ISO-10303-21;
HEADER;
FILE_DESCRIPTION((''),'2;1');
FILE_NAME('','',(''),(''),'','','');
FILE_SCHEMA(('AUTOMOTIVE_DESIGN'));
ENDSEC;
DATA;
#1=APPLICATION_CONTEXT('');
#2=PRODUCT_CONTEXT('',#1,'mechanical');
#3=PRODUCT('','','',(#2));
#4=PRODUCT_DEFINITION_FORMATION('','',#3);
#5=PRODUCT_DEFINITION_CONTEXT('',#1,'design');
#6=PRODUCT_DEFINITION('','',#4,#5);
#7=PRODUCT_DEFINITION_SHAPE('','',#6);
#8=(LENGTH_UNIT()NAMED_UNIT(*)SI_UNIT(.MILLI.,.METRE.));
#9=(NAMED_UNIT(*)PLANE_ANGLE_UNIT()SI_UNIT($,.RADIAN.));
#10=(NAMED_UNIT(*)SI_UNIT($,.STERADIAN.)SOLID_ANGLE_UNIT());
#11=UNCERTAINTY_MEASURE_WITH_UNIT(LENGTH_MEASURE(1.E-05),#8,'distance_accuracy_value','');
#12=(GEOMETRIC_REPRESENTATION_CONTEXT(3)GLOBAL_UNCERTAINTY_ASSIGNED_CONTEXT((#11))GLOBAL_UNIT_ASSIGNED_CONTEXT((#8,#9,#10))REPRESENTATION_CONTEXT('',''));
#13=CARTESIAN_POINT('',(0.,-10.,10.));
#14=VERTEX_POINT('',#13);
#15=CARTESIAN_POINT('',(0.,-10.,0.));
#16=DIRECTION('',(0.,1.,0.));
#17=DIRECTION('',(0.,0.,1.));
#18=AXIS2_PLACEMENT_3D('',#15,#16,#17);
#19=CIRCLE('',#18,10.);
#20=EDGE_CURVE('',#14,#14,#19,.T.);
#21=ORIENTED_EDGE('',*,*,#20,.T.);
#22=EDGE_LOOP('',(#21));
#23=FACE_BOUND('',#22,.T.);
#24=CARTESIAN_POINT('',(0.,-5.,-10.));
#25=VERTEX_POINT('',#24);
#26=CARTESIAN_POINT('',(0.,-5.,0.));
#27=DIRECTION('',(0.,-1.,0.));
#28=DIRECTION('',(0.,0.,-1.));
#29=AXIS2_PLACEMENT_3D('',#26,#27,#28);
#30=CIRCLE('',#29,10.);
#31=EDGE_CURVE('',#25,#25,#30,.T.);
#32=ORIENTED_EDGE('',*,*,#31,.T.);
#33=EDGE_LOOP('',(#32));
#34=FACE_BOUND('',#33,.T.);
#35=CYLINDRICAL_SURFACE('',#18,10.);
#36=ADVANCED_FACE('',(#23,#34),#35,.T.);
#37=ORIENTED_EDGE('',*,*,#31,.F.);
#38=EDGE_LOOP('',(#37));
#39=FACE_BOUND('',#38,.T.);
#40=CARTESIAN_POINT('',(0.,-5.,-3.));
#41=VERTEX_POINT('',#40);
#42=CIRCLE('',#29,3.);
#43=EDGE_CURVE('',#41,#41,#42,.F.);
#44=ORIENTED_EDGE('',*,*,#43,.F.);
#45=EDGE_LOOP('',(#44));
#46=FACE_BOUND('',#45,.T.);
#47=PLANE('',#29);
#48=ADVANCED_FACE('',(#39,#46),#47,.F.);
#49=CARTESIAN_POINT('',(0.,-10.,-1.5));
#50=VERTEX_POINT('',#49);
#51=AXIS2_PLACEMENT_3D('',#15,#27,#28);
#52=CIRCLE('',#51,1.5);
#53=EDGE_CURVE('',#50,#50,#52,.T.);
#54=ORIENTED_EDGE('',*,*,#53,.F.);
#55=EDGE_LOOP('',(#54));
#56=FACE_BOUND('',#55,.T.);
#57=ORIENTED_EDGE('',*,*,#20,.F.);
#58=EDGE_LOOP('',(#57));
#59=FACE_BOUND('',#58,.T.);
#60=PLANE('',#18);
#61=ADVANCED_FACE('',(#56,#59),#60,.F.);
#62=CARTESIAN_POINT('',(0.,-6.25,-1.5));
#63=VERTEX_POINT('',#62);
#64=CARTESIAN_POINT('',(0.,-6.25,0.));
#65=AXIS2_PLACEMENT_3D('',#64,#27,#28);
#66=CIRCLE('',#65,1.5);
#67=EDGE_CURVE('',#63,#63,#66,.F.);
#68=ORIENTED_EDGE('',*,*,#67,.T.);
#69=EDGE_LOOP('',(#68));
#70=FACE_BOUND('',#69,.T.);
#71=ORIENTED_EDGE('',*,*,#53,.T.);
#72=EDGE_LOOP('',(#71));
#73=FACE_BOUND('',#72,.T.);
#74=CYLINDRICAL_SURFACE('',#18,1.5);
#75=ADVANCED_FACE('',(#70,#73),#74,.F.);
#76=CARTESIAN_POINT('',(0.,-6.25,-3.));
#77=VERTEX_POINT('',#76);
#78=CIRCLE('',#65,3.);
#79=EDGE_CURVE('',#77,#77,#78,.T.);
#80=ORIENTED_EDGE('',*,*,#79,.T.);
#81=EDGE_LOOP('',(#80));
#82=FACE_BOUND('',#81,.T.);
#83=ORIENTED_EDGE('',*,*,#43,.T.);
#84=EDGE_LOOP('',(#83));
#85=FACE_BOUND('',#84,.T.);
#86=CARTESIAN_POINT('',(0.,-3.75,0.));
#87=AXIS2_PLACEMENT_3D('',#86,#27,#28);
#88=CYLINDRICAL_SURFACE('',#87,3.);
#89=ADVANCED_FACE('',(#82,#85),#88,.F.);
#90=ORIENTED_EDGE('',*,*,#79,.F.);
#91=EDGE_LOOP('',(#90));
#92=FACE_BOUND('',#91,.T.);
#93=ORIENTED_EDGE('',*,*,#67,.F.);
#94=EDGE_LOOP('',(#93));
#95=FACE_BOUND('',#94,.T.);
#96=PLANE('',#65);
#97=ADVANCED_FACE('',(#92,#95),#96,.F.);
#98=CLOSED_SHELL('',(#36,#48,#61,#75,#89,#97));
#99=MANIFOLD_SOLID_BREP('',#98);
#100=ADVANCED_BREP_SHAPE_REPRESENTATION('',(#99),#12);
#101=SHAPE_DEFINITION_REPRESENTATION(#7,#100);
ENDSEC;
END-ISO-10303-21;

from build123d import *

# Parameters (mm, degrees)
BOSS_EXTRUDE1_DEPTH      = 3
BOSS_EXTRUDE1_DEPTH_BACK = 10
SKETCH1_R                = 10
SKETCH4_R                = 1.5
HOLE_DEPTH               = 20.973741561
HOLECIR_COUNT            = 5
SKETCH6_R                = 3
BEARINGHOLE_DEPTH        = 1.25
SKETCH7_R                = 1.5
SHAFTHOLE_DEPTH          = 17.248076982
SKETCH13_R               = 10
BOTTEN_HALF_DEPTH        = 10


with BuildPart() as part:
    # Sketch1 → Boss-Extrude1 (new, two sides: drawn at the far end of the back side and taken through both)
    with BuildSketch(Plane(origin=(0, 0, 0), x_dir=(1, 0, 0), z_dir=(0, 1, 0)).offset(-BOSS_EXTRUDE1_DEPTH_BACK)):
        Circle(SKETCH1_R)
    extrude(amount=BOSS_EXTRUDE1_DEPTH + BOSS_EXTRUDE1_DEPTH_BACK)

    # Sketch4 → hole (cut, through all)
    with BuildSketch(Plane(origin=(-3.352872105, -1.093066116, 1.887711608), x_dir=(-0.4486862613641547, -0.14627571033740308, -0.8816371449912632), z_dir=(0.8382180262940947, 0.2732665289126682, -0.47192790187872385))):
        Circle(SKETCH4_R)
    hole = extrude(amount=-HOLE_DEPTH, mode=Mode.SUBTRACT)

    # holecir: hole ×5 about axis
    holecir_axis = Axis((0, 5.5, 0), (0, -1, 0))
    for i in range(1, HOLECIR_COUNT):
        add(hole.rotate(holecir_axis, i * 360 / HOLECIR_COUNT), mode=Mode.SUBTRACT)

    # Sketch6 → bearinghole (cut, symmetric)
    with BuildSketch(Plane(origin=(0, -5, 0), x_dir=(-1, 0, 0), z_dir=(0, -1, 0))):
        Circle(SKETCH6_R)
    extrude(amount=BEARINGHOLE_DEPTH, both=True, mode=Mode.SUBTRACT)

    # Sketch7 → shafthole (cut, through all)
    with BuildSketch(Plane(origin=(0, -5, 0), x_dir=(-1, 0, 0), z_dir=(0, -1, 0))):
        Circle(SKETCH7_R)
    extrude(amount=SHAFTHOLE_DEPTH, mode=Mode.SUBTRACT)

    # Sketch13 → botten half (cut)
    with BuildSketch(Plane(origin=(0, -5, 0), x_dir=(-1, 0, 0), z_dir=(0, -1, 0))):
        Circle(SKETCH13_R)
    extrude(amount=-BOTTEN_HALF_DEPTH, mode=Mode.SUBTRACT)


solid = part.part
